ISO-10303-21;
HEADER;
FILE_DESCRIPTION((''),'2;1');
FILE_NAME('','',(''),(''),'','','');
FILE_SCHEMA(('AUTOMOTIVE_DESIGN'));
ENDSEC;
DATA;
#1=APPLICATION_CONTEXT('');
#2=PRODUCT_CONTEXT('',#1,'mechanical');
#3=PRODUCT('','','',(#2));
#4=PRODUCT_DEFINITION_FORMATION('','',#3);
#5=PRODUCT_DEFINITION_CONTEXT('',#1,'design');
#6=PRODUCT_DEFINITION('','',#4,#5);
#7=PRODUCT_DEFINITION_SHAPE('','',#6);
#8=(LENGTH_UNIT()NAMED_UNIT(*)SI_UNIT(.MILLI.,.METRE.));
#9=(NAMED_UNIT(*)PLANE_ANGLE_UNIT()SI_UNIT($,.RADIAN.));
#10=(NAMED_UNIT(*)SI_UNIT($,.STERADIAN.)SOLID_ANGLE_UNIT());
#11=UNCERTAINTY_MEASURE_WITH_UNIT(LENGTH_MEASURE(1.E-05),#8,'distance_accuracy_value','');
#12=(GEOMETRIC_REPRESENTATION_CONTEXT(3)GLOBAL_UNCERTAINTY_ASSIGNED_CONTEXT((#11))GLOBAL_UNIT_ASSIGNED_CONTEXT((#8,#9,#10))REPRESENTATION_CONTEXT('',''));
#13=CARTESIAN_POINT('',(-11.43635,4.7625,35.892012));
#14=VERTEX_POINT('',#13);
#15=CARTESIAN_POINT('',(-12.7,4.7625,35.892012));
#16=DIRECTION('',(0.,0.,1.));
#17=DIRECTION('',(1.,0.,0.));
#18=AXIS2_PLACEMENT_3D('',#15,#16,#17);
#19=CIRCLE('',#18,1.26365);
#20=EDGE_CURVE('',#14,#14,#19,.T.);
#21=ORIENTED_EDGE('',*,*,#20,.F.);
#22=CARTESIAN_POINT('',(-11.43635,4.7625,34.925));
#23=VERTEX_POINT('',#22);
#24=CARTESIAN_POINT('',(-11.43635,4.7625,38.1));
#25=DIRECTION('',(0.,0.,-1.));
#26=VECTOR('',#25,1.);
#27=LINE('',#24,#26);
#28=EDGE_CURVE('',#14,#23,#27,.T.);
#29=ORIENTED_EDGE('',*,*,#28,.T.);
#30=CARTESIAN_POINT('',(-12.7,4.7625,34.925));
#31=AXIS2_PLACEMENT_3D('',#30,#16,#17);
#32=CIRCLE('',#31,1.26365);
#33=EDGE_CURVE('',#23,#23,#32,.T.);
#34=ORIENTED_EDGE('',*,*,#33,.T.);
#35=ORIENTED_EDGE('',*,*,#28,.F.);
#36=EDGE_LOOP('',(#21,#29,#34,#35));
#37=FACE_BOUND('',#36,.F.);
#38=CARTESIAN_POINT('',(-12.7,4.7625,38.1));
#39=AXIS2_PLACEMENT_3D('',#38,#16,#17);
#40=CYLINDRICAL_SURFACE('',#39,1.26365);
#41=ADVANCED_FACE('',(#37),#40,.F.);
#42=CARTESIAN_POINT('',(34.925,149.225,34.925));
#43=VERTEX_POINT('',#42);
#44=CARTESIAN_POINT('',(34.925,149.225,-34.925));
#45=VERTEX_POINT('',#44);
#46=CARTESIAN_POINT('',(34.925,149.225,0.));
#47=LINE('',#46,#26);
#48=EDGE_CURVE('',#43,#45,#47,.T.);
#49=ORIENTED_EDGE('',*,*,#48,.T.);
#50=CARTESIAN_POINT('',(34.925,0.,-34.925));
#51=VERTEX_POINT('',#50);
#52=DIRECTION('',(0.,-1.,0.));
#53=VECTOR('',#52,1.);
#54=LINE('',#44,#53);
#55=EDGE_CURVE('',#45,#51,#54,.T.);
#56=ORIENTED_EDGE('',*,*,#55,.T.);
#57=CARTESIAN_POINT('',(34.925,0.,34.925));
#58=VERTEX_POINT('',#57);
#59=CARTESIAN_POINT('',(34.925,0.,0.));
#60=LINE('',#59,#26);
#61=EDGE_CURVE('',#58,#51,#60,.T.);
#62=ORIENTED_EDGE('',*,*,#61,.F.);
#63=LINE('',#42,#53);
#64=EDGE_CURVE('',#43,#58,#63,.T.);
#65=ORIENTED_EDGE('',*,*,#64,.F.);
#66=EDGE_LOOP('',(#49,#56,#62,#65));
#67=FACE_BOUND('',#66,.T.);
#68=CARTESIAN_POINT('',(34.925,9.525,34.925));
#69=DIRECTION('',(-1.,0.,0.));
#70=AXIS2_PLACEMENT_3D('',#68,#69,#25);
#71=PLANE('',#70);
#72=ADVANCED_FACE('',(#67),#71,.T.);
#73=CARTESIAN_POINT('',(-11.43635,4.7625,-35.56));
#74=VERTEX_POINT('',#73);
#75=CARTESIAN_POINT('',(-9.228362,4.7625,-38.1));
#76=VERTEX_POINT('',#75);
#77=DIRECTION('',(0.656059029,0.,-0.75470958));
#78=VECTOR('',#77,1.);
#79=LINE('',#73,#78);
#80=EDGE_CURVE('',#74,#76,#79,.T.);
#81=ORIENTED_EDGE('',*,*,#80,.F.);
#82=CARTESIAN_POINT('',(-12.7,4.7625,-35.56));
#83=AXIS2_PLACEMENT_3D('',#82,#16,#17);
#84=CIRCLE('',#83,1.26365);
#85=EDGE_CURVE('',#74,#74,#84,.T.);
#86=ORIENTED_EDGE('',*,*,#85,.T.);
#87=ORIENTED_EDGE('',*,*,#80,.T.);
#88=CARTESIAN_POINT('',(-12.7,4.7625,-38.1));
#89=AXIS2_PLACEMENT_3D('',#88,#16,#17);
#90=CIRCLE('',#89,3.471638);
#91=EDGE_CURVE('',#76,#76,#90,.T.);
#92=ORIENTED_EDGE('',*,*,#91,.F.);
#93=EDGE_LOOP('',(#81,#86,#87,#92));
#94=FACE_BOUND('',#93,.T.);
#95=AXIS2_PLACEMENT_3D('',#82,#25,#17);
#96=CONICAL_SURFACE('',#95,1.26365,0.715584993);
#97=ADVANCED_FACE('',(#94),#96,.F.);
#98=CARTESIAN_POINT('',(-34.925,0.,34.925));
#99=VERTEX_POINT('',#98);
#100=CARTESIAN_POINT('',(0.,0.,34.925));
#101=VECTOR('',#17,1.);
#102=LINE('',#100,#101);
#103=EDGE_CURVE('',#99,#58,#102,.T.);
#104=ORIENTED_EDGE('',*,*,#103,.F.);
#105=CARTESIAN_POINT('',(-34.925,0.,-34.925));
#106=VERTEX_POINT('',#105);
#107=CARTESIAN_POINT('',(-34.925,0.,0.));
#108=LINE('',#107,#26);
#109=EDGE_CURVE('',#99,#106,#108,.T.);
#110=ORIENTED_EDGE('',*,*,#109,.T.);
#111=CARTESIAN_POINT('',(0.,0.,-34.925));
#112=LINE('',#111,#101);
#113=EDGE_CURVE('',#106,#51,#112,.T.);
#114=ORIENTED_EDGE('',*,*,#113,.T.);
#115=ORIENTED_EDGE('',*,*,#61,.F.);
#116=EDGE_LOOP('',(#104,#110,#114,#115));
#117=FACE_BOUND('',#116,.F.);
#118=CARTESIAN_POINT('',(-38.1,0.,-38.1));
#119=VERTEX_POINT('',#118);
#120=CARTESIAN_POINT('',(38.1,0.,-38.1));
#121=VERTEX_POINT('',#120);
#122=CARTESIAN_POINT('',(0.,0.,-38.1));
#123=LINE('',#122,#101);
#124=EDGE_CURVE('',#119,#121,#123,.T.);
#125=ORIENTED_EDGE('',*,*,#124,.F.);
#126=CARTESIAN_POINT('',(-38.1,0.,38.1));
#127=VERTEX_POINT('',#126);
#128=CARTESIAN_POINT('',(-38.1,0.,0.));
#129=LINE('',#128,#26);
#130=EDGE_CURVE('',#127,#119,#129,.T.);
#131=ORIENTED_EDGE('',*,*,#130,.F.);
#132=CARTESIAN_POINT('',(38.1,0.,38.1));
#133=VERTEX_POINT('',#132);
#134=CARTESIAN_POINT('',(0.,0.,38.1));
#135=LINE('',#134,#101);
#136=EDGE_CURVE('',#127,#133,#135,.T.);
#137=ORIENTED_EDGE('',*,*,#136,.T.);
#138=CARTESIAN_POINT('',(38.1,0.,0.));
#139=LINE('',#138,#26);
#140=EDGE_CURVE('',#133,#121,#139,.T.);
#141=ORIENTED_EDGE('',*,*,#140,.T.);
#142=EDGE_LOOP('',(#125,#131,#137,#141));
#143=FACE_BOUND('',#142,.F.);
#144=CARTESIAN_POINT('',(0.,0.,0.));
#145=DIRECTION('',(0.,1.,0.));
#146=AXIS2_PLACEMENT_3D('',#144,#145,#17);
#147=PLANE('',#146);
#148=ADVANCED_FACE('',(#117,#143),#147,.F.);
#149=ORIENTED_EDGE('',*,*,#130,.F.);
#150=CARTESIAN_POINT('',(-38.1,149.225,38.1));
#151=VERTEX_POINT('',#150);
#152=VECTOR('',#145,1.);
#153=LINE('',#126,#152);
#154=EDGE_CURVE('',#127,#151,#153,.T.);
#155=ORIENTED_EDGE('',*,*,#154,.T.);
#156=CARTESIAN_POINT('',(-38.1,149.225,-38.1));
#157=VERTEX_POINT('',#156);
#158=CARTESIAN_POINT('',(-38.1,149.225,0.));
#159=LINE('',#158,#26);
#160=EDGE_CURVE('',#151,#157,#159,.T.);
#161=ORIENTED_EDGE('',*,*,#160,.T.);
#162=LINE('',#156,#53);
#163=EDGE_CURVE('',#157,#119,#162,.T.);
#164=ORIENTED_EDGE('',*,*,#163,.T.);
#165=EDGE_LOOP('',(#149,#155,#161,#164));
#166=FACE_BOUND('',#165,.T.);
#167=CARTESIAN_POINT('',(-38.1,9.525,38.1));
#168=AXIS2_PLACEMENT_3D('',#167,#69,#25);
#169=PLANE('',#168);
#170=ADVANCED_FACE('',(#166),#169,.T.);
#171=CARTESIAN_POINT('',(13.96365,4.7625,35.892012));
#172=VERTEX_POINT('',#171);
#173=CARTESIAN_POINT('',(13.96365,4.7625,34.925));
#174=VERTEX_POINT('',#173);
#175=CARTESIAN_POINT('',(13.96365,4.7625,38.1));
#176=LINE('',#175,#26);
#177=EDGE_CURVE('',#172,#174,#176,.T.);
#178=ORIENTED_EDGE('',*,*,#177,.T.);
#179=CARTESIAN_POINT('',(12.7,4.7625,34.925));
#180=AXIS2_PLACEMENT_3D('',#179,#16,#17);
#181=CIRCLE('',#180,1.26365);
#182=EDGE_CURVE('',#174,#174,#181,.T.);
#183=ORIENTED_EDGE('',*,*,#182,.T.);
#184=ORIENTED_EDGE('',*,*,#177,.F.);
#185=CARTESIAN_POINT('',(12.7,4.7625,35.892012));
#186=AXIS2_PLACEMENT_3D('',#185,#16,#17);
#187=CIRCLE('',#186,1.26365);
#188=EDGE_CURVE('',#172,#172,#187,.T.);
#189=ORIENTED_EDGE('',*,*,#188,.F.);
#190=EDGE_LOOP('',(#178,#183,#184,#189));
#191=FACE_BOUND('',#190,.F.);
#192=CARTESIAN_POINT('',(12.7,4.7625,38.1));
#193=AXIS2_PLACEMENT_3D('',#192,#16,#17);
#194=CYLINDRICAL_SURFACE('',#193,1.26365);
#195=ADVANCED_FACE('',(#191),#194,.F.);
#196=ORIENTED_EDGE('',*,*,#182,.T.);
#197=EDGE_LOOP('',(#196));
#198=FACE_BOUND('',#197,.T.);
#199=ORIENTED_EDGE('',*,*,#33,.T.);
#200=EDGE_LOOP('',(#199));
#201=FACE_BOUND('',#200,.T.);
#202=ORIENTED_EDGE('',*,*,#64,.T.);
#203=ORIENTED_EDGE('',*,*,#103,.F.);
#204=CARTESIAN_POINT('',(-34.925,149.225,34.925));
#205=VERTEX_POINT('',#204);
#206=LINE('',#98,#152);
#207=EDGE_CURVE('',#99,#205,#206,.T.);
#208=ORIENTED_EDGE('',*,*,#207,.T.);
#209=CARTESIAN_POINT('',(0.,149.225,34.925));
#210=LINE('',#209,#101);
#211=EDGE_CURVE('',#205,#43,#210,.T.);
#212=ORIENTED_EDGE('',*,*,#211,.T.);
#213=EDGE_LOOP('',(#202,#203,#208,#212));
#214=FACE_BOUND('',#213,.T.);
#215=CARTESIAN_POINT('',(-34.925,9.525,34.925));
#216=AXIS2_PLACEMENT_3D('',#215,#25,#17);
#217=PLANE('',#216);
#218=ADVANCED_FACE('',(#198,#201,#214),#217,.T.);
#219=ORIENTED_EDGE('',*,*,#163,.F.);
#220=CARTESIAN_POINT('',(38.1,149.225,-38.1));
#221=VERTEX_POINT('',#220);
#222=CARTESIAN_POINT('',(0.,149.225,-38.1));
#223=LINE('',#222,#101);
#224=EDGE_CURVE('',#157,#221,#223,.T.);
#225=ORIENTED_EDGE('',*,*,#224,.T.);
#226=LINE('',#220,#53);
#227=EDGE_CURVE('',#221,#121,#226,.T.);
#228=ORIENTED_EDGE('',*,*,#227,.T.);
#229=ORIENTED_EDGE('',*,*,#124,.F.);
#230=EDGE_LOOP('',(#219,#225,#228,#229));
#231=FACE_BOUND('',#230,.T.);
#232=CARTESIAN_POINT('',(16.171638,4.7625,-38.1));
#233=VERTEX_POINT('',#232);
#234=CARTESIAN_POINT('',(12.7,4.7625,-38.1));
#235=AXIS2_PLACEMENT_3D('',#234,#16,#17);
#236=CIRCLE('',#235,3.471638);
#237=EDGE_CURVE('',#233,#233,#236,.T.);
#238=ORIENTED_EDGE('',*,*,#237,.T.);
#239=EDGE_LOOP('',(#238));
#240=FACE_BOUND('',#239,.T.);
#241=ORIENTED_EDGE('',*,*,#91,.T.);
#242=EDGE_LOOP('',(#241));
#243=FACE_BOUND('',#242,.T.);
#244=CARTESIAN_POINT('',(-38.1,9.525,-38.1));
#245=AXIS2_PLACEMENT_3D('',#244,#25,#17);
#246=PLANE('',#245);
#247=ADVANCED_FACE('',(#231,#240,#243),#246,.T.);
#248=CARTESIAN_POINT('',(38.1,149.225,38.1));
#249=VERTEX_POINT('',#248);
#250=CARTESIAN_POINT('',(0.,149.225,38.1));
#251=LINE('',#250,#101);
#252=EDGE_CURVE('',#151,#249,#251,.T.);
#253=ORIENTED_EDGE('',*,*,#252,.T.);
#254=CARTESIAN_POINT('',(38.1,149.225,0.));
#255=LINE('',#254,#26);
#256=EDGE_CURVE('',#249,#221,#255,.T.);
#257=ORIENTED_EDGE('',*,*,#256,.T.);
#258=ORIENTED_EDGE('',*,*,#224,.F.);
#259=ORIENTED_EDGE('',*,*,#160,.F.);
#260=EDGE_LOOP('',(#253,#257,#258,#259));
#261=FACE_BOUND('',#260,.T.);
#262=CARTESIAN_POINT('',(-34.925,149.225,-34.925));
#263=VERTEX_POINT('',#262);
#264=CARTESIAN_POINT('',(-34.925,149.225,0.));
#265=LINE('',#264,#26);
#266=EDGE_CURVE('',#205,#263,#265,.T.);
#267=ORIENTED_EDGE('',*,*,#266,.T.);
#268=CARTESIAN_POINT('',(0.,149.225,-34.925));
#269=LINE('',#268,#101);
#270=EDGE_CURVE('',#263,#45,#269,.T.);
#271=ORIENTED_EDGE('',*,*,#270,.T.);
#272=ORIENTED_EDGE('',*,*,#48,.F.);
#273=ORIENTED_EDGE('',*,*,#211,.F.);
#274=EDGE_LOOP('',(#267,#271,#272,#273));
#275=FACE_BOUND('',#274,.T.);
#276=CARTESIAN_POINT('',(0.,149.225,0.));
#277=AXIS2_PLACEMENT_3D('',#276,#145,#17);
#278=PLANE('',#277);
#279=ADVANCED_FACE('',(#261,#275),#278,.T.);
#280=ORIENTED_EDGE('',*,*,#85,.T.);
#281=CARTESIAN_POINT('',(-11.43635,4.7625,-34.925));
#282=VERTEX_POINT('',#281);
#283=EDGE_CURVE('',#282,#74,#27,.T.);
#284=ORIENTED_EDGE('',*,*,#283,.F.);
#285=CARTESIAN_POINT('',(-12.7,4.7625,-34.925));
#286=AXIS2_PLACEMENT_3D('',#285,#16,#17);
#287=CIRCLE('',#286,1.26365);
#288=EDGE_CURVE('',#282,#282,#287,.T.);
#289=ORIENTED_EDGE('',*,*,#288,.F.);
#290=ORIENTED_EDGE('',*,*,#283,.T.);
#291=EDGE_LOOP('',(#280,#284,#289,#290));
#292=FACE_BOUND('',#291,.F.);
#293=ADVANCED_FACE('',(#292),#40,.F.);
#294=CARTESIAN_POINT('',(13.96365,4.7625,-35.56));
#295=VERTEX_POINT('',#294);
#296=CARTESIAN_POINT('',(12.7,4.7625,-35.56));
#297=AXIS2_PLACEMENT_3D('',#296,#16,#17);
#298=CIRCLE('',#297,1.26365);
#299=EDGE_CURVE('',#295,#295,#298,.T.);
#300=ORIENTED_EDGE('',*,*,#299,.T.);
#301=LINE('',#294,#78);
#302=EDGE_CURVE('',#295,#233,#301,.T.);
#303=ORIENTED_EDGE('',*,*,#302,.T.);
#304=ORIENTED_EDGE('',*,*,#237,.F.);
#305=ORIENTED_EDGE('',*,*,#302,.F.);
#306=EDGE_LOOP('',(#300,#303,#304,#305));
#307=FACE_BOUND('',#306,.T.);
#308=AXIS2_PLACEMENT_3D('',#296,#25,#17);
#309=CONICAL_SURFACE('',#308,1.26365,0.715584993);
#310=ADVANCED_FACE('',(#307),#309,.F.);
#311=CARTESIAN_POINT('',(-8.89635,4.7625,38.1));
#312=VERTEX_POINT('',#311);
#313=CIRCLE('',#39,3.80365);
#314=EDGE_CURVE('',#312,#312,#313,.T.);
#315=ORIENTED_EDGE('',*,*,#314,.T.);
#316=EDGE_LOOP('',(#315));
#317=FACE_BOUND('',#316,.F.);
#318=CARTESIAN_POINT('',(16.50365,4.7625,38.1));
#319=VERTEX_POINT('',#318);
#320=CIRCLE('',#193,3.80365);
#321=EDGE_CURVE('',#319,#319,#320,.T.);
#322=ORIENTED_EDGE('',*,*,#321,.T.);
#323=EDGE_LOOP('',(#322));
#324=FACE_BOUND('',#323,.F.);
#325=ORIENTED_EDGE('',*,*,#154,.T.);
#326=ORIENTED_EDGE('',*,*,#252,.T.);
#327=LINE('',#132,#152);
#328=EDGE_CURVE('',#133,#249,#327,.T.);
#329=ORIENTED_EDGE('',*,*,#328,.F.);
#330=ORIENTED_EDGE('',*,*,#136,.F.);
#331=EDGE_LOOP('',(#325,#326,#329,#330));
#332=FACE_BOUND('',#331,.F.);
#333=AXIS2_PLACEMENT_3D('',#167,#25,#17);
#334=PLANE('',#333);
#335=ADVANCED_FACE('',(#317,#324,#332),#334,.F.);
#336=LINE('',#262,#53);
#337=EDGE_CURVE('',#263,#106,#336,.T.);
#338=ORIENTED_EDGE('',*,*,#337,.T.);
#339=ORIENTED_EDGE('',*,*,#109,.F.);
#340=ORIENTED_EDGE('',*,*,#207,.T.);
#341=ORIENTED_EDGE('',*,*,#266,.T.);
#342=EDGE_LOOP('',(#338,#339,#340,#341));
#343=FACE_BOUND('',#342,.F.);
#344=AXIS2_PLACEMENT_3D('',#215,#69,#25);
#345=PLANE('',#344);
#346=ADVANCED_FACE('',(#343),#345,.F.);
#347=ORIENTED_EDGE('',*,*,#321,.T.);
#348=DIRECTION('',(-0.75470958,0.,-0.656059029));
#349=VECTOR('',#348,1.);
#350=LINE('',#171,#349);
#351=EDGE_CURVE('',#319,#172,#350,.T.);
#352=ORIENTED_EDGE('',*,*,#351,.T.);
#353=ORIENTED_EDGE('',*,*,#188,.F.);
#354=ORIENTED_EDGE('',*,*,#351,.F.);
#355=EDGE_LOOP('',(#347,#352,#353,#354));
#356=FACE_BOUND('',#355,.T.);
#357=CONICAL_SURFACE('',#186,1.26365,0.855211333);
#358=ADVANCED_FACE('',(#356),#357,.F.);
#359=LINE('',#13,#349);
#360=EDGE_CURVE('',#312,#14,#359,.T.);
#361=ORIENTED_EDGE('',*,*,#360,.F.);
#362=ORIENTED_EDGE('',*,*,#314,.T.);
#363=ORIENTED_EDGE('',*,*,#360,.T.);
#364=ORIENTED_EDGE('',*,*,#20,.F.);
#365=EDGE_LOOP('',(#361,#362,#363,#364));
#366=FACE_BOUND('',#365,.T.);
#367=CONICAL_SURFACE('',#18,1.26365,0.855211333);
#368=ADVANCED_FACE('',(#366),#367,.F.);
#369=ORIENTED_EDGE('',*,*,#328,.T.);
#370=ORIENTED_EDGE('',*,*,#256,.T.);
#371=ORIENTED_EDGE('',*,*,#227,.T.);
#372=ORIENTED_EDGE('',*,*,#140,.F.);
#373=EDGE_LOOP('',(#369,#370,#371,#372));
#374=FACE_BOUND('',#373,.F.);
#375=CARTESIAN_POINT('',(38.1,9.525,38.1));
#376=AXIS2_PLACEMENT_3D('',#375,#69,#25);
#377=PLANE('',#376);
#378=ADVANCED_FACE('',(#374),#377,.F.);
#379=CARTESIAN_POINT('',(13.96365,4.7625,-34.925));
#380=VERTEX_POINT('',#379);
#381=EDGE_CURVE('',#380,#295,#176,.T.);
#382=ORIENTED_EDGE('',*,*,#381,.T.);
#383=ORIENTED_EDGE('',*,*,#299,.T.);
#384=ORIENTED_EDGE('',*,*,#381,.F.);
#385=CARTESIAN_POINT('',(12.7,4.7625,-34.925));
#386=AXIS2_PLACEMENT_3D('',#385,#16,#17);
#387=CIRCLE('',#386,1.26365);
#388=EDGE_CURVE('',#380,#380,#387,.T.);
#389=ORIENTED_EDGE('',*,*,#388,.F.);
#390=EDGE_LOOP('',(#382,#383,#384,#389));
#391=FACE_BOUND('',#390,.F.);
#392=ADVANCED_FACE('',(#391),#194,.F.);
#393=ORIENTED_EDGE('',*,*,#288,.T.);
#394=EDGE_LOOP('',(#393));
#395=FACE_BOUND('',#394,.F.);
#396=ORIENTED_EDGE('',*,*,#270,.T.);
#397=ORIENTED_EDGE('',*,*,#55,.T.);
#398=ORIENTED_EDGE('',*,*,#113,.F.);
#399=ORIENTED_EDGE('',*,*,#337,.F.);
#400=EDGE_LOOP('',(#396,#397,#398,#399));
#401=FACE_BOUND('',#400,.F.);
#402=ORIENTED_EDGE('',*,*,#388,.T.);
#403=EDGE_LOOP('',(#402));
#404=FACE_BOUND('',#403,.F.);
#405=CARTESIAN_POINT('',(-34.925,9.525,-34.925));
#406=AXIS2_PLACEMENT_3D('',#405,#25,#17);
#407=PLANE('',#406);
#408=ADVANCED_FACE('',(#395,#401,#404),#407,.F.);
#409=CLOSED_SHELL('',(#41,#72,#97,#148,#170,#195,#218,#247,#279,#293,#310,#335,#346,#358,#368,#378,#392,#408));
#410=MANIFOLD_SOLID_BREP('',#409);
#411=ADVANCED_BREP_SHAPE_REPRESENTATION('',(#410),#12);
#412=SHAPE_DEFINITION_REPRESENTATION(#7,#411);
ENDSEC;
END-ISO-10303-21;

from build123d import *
from OCP.BRepFilletAPI import BRepFilletAPI_MakeChamfer

# Parameters (mm, degrees)
SKETCH1_W           = 76.2
SKETCH1_H           = 76.2
SKETCH1_W_2         = 69.85
SKETCH1_H_2         = 69.85
BOSS_EXTRUDE1_DEPTH = 9.525
SKETCH2_R           = 1.26365
CUT_EXTRUDE1_DEPTH  = 86.725
CHAMFER1_SIZE       = 2.54
CHAMFER1_SIZE2      = 2.207988314
SKETCH3_W           = 76.2
SKETCH3_H           = 76.2
SKETCH3_W_2         = 69.85
SKETCH3_H_2         = 69.85
BOSS_EXTRUDE2_DEPTH = 139.7


with BuildPart() as part:
    # Sketch1 → Boss-Extrude1 (new body)
    with BuildSketch(Plane(origin=(0, 0, 0), x_dir=(1, 0, 0), z_dir=(0, 1, 0))):
        Rectangle(SKETCH1_W, SKETCH1_H)
        Rectangle(SKETCH1_W_2, SKETCH1_H_2, mode=Mode.SUBTRACT)
    extrude(amount=BOSS_EXTRUDE1_DEPTH)

    # Sketch2 → Cut-Extrude1 (cut, through all)
    with BuildSketch(Plane.XY.offset(38.1)):
        with Locations((-12.7, 4.7625)):
            Circle(SKETCH2_R)
        with Locations((12.7, 4.7625)):
            Circle(SKETCH2_R)
    extrude(amount=-CUT_EXTRUDE1_DEPTH, mode=Mode.SUBTRACT)

    # Chamfer1: one chamfer whose edges measure the first distance from different faces: ONE call of the kernel's chamfer builder (chamfer() names one face for all edges)
    chamfer1_edges_1 = [part.edges().sort_by_distance(p)[0] for p in [
        (-13.96365, 4.7625, -38.1),
    ]]
    chamfer1_side_1 = [part.faces().sort_by_distance(p)[0] for p in [
        (-13.96365, 4.7625, -36.5125),
    ]]
    chamfer1_edges_2 = [part.edges().sort_by_distance(p)[0] for p in [
        (-13.96365, 4.7625, 38.1),
        (11.43635, 4.7625, 38.1),
    ]]
    chamfer1_side_2 = [part.faces().sort_by_distance(p)[0] for p in [
        (0, 4.7625, 38.1),
    ]]
    chamfer1_edges_3 = [part.edges().sort_by_distance(p)[0] for p in [
        (11.43635, 4.7625, -38.1),
    ]]
    chamfer1_side_3 = [part.faces().sort_by_distance(p)[0] for p in [
        (11.43635, 4.7625, -36.5125),
    ]]
    chamfer1 = BRepFilletAPI_MakeChamfer(part.part.solid().wrapped)
    for e in chamfer1_edges_1:
        chamfer1.Add(CHAMFER1_SIZE, CHAMFER1_SIZE2, e.wrapped, chamfer1_side_1[0].wrapped)  # the first distance lies on this face
    for e in chamfer1_edges_2:
        chamfer1.Add(CHAMFER1_SIZE, CHAMFER1_SIZE2, e.wrapped, chamfer1_side_2[0].wrapped)  # the first distance lies on this face
    for e in chamfer1_edges_3:
        chamfer1.Add(CHAMFER1_SIZE, CHAMFER1_SIZE2, e.wrapped, chamfer1_side_3[0].wrapped)  # the first distance lies on this face
    add(Compound.cast(chamfer1.Shape()), mode=Mode.REPLACE)

    # Sketch3 → Boss-Extrude2 (add)
    with BuildSketch(Plane(origin=(0, 9.525, 0), x_dir=(1, 0, 0), z_dir=(0, 1, 0))):
        Rectangle(SKETCH3_W, SKETCH3_H)
        Rectangle(SKETCH3_W_2, SKETCH3_H_2, mode=Mode.SUBTRACT)
    extrude(amount=BOSS_EXTRUDE2_DEPTH)


solid = part.part
